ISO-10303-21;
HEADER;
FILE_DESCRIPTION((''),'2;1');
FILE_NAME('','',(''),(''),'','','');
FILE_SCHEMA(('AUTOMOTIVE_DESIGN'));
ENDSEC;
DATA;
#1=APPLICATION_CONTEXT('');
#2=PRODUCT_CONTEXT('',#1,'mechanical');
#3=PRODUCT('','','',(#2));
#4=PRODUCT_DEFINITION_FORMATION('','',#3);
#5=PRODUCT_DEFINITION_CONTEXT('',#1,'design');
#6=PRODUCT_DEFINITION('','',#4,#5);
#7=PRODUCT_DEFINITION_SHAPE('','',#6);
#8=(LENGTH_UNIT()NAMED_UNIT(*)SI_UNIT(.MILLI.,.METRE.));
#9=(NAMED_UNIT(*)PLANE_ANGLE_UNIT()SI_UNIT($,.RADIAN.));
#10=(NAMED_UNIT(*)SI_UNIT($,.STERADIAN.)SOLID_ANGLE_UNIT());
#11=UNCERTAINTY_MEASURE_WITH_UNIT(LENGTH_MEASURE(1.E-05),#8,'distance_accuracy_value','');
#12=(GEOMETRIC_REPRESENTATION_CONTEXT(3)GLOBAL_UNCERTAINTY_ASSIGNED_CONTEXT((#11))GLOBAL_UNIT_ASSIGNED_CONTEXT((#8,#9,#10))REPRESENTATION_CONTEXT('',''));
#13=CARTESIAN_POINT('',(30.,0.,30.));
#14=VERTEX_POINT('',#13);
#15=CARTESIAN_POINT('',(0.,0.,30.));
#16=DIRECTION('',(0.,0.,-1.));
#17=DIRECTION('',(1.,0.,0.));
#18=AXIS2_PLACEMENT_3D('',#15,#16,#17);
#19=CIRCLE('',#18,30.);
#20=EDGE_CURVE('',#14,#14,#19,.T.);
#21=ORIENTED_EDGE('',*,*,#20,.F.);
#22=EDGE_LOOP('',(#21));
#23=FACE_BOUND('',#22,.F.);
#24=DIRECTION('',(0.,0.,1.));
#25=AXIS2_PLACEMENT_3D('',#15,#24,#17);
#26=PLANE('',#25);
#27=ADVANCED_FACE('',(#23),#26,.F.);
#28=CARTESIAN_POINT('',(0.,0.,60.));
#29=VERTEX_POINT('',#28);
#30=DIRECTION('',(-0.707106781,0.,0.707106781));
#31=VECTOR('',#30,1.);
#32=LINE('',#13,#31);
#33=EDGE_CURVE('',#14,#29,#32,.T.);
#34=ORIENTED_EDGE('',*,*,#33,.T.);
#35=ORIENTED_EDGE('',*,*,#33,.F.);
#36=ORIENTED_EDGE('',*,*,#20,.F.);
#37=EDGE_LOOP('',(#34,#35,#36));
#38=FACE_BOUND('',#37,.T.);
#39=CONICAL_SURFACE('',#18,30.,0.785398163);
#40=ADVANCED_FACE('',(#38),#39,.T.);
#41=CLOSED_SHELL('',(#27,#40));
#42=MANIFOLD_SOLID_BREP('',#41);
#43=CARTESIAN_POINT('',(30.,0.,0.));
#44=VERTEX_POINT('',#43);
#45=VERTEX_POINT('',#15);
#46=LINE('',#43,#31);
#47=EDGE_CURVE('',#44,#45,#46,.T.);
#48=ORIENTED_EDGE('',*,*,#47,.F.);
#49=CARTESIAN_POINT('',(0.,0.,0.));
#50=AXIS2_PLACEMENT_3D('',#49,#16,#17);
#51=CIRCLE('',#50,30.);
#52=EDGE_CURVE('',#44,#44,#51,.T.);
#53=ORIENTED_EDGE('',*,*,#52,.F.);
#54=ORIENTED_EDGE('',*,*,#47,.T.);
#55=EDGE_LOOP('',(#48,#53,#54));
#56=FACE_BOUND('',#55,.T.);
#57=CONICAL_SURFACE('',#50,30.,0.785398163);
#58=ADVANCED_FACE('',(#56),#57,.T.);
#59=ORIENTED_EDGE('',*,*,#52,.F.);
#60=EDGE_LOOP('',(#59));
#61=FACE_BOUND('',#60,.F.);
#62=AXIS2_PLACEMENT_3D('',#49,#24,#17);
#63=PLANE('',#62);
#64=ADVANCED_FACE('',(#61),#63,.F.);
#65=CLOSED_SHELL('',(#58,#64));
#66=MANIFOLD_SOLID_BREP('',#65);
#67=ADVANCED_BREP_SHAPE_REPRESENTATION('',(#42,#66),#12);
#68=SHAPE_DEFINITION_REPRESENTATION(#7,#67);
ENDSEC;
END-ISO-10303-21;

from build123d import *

# Parameters (mm, degrees)
F0_R     = 30
F1_DEPTH = 30
F1_TAPER = 45
F3_R     = 30
F4_DEPTH = 30
F4_TAPER = 45


with BuildPart() as f1:
    # F0 (on Top) → F1 (new body)
    with BuildSketch(Plane.XY):
        Circle(F0_R)
    extrude(amount=F1_DEPTH, taper=F1_TAPER)

    # F3 (on offset) → F4 (join)
    with BuildSketch(Plane.XY.offset(30)):
        Circle(F3_R)
    extrude(amount=F4_DEPTH, taper=F4_TAPER)


solid = f1.part
